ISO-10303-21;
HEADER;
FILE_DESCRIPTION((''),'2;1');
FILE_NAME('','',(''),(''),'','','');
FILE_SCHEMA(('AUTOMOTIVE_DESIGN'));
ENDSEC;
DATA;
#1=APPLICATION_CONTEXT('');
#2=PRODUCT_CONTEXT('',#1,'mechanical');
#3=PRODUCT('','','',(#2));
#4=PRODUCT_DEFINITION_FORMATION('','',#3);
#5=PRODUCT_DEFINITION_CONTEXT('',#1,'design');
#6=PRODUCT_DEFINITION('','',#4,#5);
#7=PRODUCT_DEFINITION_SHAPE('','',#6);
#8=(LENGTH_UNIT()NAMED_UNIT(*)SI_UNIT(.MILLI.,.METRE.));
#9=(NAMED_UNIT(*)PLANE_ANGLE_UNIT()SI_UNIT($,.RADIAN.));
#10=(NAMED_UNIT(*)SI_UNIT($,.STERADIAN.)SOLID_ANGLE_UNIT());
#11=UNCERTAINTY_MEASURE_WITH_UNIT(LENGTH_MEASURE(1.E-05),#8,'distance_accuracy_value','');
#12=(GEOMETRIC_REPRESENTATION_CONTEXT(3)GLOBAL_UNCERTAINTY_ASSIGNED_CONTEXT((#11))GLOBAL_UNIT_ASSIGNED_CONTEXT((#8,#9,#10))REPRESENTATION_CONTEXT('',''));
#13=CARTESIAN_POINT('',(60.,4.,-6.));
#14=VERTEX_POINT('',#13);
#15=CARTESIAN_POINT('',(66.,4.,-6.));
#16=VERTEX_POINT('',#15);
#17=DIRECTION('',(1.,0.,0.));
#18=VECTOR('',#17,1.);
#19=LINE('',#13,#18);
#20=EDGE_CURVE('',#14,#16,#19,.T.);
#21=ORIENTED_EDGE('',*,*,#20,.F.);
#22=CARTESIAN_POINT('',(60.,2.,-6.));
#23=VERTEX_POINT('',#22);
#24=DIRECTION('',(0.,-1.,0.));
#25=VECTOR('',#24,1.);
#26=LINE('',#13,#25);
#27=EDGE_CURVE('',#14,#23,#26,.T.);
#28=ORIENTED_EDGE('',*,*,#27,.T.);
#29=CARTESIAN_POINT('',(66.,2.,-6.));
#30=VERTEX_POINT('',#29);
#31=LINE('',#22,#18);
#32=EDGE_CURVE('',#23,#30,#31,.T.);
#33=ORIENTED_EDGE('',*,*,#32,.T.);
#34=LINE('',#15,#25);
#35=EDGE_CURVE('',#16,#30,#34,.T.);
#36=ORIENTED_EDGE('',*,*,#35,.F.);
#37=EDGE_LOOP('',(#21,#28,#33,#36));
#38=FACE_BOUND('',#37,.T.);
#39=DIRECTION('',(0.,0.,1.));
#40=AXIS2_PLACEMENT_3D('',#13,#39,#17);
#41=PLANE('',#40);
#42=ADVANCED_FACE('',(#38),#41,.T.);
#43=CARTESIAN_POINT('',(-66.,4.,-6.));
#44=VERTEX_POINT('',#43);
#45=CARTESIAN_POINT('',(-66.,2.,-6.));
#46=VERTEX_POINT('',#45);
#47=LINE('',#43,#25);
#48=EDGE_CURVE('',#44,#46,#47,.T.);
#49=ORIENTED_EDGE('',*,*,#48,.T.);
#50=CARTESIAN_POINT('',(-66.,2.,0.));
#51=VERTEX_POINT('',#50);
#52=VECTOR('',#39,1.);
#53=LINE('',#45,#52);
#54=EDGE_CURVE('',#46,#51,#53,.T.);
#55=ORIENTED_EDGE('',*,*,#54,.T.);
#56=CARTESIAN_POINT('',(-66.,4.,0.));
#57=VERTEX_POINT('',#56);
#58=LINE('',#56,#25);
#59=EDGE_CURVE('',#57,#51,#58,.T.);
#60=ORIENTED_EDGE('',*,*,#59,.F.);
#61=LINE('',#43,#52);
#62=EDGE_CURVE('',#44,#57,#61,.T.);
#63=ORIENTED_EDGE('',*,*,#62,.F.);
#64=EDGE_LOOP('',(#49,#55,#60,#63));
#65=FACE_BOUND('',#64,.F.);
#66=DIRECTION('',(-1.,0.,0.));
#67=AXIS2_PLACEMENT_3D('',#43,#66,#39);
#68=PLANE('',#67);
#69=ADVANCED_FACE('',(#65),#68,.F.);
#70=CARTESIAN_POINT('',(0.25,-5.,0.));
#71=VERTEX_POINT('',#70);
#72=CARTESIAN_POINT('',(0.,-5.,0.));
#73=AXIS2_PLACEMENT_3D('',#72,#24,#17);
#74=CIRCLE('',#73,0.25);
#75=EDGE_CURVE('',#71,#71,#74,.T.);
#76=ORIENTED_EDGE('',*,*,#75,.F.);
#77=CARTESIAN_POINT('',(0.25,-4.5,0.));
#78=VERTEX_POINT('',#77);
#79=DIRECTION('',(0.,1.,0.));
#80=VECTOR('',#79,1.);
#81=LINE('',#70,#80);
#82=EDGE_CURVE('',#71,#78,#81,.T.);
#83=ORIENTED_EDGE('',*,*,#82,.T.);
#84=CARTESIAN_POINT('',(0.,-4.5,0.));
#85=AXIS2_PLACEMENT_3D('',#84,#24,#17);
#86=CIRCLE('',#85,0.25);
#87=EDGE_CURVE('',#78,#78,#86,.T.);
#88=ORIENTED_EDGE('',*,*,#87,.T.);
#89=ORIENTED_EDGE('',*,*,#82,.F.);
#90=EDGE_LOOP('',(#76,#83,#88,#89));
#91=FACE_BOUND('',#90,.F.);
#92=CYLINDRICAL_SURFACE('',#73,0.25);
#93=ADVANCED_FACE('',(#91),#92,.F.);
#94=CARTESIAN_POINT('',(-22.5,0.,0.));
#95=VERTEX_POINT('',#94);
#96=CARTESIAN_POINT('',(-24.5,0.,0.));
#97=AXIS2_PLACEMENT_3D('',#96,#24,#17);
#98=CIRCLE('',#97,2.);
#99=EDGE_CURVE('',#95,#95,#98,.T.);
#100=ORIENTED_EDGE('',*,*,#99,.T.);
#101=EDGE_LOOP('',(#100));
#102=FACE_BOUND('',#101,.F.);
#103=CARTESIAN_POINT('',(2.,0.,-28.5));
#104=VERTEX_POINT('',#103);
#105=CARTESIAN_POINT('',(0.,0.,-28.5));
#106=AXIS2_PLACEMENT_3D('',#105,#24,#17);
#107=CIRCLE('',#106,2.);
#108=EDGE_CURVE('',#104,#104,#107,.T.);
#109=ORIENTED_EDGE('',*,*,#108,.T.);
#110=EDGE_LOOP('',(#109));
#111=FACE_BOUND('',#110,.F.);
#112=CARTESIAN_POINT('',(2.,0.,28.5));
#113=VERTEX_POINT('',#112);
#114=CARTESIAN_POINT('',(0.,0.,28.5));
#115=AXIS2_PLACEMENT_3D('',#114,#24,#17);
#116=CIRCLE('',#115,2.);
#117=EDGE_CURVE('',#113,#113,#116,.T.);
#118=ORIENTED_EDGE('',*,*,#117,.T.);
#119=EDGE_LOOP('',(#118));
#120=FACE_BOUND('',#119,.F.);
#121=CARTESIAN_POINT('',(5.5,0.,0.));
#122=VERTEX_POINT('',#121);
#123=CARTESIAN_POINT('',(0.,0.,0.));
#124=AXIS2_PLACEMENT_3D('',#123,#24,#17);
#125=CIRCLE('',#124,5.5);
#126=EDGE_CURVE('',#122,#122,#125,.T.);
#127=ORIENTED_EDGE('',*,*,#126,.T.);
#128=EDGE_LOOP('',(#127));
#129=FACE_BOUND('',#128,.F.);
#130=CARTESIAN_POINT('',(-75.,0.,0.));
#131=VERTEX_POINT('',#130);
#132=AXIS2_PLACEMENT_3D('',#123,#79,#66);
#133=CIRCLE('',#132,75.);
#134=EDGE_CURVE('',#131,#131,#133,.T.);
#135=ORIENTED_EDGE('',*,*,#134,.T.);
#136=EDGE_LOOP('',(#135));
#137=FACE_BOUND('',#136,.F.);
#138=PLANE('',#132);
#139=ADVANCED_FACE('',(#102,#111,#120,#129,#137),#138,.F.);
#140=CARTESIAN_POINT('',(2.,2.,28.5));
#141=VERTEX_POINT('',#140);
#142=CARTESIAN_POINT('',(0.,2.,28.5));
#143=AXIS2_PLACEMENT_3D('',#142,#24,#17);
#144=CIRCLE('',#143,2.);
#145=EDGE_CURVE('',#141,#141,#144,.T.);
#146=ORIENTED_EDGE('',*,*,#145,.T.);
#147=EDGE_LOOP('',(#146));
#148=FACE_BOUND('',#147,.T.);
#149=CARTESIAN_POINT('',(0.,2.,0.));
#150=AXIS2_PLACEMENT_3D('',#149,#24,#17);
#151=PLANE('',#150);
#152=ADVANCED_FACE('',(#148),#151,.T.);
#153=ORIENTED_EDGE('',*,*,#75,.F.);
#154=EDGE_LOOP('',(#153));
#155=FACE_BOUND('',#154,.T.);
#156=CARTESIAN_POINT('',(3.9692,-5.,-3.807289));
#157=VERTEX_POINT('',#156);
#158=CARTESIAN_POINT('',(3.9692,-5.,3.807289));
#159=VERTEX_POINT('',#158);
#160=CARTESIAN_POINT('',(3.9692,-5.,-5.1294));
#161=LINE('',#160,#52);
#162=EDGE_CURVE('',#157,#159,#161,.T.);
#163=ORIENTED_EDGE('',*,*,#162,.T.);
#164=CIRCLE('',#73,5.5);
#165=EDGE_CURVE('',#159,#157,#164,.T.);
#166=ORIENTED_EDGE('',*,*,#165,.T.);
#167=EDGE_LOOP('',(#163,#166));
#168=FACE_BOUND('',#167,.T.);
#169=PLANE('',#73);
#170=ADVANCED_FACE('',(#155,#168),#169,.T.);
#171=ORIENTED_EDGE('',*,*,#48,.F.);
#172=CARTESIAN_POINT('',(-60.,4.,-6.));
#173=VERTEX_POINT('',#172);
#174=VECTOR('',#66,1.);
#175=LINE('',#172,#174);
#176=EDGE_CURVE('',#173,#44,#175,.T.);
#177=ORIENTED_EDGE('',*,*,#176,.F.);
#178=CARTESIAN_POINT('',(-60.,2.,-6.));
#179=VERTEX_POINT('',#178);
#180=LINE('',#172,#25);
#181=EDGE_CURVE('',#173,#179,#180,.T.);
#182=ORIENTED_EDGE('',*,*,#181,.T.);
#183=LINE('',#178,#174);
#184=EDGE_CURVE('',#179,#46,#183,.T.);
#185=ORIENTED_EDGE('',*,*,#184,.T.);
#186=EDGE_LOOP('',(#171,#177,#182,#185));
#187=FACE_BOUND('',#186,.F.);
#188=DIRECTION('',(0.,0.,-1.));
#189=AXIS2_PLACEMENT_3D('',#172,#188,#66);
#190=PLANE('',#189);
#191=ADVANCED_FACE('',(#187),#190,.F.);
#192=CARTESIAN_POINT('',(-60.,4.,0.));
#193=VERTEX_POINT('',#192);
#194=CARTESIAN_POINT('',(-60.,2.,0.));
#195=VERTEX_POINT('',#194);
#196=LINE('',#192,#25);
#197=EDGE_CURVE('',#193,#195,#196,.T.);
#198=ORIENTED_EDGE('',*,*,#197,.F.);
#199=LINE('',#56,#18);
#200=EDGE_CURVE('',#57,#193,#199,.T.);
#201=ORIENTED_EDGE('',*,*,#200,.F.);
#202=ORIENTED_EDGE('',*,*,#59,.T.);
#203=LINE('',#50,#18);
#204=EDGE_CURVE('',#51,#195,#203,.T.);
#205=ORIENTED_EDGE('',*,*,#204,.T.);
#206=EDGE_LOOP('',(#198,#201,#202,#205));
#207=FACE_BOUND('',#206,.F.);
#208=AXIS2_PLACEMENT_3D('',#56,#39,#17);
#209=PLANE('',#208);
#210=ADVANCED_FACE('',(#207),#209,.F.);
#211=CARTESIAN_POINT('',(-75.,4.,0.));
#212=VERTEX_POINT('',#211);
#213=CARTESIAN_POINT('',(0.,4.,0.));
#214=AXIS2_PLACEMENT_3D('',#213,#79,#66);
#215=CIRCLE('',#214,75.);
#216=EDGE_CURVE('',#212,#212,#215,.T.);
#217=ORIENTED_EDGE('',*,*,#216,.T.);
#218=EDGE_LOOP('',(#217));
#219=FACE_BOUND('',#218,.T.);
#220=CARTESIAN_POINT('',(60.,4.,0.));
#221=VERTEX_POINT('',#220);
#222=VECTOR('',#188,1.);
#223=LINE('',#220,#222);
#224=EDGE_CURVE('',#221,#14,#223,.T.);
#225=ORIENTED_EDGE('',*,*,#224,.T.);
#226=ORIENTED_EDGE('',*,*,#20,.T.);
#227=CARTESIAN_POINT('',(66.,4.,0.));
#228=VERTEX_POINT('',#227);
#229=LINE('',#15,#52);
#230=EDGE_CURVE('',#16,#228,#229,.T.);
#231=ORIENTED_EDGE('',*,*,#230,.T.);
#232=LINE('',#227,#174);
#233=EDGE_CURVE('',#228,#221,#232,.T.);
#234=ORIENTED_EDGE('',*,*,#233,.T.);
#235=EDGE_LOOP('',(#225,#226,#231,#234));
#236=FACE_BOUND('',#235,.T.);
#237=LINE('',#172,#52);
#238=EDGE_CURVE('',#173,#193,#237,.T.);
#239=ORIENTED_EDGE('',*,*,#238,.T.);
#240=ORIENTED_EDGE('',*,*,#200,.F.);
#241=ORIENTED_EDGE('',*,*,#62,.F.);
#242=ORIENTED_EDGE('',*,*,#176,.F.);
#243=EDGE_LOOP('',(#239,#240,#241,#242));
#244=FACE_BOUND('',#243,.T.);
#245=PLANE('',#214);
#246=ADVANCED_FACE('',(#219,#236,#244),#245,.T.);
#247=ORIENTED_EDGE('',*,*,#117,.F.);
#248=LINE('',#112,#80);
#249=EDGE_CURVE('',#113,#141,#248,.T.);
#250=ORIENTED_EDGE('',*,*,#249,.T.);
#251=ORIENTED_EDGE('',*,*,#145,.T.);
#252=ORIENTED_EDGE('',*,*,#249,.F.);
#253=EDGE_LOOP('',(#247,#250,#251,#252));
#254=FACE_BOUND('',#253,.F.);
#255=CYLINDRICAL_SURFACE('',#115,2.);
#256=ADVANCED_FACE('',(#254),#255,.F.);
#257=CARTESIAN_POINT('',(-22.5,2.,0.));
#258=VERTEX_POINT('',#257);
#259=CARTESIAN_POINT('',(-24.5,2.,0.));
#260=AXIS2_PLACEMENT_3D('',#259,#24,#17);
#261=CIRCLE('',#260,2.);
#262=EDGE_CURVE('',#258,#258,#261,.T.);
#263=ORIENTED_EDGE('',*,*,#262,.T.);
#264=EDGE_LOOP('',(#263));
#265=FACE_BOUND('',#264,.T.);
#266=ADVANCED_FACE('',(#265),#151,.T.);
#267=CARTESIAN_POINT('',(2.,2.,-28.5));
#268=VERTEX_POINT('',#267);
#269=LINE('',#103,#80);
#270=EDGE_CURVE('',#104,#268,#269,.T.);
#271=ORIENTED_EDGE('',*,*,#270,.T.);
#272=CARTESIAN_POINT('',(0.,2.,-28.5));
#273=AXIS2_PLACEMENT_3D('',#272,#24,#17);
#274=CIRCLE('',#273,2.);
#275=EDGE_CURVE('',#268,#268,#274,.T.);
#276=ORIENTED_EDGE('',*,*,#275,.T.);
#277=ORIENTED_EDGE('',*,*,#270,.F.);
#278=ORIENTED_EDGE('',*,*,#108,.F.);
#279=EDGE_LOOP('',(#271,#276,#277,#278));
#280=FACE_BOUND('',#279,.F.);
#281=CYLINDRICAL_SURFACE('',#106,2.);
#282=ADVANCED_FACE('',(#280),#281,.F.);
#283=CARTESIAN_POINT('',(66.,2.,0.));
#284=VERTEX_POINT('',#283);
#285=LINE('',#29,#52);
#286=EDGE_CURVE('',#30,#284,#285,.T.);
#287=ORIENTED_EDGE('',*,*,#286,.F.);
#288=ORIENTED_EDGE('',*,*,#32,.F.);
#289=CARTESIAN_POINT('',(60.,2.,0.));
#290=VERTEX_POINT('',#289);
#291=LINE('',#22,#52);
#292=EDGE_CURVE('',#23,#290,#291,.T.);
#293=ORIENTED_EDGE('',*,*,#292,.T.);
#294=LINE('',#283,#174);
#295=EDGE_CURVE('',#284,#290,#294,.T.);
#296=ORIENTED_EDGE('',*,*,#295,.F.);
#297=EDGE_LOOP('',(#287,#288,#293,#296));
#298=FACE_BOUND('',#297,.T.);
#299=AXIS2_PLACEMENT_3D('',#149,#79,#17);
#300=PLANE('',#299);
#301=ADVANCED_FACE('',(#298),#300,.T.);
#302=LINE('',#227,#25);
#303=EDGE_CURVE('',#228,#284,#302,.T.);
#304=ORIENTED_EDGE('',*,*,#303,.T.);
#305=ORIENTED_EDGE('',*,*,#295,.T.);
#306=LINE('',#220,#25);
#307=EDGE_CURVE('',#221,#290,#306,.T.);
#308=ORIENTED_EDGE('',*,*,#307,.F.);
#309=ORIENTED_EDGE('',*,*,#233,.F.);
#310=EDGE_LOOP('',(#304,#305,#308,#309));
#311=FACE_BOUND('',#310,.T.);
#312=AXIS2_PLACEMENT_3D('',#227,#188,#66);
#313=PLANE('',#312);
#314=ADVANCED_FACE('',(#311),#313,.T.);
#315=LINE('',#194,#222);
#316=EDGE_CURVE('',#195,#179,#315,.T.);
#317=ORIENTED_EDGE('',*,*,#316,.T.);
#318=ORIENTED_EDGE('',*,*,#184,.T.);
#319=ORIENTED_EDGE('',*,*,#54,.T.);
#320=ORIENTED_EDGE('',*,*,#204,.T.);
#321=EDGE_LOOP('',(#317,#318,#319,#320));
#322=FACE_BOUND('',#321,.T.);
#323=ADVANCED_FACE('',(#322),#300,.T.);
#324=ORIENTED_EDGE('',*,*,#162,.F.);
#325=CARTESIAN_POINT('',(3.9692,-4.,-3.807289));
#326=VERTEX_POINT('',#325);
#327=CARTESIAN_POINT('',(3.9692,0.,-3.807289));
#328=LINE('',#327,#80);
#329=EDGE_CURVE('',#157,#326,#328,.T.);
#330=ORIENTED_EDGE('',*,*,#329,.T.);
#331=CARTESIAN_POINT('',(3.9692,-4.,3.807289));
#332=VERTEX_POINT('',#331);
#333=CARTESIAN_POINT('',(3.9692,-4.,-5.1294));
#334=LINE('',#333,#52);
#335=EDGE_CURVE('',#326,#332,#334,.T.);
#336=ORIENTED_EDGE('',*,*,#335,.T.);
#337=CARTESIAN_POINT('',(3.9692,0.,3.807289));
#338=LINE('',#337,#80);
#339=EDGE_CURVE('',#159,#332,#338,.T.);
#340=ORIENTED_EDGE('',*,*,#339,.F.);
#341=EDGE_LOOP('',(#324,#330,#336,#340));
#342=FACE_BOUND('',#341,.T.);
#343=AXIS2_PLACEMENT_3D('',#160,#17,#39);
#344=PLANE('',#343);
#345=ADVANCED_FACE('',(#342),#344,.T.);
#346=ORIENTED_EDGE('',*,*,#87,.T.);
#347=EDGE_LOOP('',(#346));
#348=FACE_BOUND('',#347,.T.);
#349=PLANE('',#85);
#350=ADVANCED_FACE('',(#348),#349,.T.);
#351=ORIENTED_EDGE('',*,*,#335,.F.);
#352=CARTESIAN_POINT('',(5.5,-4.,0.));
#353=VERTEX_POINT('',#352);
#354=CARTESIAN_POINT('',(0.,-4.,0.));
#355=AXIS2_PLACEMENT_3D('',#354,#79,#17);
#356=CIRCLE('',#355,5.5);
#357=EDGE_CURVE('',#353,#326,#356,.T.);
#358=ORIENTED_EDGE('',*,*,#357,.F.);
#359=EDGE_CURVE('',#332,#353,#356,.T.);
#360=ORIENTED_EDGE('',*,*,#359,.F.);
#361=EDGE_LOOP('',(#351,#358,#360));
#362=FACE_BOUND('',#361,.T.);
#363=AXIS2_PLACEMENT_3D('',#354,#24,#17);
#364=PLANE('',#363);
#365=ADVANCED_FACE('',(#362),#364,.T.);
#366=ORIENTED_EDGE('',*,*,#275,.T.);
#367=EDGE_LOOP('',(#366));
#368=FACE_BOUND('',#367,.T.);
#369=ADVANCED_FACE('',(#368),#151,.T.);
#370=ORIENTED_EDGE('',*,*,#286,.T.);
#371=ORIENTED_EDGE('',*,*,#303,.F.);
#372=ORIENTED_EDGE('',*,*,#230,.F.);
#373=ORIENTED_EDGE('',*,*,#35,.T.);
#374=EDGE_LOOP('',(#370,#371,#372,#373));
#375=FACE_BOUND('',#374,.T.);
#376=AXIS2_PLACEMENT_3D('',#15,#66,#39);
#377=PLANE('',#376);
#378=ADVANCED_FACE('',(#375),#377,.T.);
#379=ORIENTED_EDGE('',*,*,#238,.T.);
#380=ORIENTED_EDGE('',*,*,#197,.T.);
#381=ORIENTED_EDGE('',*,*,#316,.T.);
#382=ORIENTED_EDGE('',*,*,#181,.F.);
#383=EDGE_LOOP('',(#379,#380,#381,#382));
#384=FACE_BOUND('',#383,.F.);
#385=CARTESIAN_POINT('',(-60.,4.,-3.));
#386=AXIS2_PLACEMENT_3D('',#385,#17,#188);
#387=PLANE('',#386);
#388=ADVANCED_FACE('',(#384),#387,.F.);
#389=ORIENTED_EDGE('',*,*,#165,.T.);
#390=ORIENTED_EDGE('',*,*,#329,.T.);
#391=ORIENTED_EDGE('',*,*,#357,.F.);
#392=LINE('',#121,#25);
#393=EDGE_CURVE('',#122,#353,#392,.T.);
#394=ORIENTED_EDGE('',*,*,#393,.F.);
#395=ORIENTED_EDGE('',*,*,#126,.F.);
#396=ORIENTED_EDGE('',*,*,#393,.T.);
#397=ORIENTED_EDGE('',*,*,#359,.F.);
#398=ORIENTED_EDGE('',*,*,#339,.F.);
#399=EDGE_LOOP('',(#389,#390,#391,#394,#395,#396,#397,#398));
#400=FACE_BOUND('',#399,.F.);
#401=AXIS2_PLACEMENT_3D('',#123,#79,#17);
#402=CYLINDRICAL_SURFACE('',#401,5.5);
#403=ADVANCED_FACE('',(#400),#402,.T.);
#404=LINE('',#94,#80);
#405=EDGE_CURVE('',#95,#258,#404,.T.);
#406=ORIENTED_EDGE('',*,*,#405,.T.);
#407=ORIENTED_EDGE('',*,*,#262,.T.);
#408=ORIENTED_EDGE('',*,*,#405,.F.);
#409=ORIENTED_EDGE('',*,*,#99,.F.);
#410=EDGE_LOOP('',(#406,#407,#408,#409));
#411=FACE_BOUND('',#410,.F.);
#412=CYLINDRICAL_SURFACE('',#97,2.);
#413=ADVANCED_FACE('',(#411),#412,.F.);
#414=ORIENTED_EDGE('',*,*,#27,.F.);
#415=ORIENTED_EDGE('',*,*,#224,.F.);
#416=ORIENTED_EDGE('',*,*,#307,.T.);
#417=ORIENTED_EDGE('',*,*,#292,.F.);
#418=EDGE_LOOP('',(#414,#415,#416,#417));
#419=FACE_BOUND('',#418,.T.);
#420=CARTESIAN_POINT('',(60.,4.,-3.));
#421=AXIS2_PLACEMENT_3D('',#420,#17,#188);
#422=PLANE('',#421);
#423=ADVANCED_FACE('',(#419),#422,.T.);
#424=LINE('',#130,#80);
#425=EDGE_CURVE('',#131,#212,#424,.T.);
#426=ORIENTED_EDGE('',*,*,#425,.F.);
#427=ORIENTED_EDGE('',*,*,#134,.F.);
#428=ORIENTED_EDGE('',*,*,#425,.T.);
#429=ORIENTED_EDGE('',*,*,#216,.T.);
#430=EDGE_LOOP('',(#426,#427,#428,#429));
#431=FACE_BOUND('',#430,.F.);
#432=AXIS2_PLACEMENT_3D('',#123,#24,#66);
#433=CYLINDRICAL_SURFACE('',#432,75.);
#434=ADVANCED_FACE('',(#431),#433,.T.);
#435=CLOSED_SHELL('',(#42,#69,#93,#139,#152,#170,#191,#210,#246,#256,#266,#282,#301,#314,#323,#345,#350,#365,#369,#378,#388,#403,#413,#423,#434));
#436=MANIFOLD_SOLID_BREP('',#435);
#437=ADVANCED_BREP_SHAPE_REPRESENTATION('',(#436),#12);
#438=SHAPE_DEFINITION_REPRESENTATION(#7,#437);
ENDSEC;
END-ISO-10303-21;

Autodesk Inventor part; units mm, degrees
ref_plane "YZ Plane" through (0, 0, 0) normal (1, 0, 0) x (0, 1, 0)
ref_plane "XZ Plane" through (0, 0, 0) normal (0, 1, 0) x (-1, 0, 0)
ref_plane "XY Plane" through (0, 0, 0) normal (0, 0, 1) x (1, 0, 0)
sketch "Sketch1" plane through (0, 0, 0) normal (0, 1, 0) x (-1, 0, 0)
  circle A0 centre (0, 0) radius 75
  dimension "d0" = 150
extrude "Extrusion1" add sketch "Sketch1" along normal blind 4
sketch "Sketch2" plane through (0, 0, 0) normal (0, -1, 0) x (1, 0, 0)
  point P0 (0, 0)
sketch "Sketch4" plane through (0, 0, 0) normal (0, -1, 0) x (1, 0, 0)
  circle A0 centre (0, 0) radius 5.5
  dimension "d7" = 11
extrude "Extrusion3" add sketch "Sketch4" along normal blind 5
sketch "Sketch5" plane through (0, 0, 0) normal (0, -1, 0) x (1, 0, 0)
  point P0 (0, 0)
sketch "Sketch8" plane through (0, -5, 0) normal (0, -1, 0) x (1, 0, 0)
  line L0 (3.9692, 4.8706) -> (31.1403, 4.8706)
  line L1 (31.1403, 4.8706) -> (31.1403, -5.1294)
  line L2 (31.1403, -5.1294) -> (3.9692, -5.1294)
  line L3 (3.9692, -5.1294) -> (3.9692, 4.8706)
  point P0 (0, 0)
  dimension "d15" = 10
extrude "Extrusion5" cut sketch "Sketch8" against normal blind 1
sketch "Sketch9" plane through (0, 0, 0) normal (0, -1, 0) x (1, 0, 0)
  circle A0 centre (-24.5, 0) radius 1.5 construction
  circle A1 centre (0, 28.5) radius 1.5 construction
  circle A2 centre (0, -28.5) radius 1.5 construction
  circle A3 centre (0, -28.5) radius 2
  circle A4 centre (-24.5, 0) radius 2
  circle A5 centre (0, 28.5) radius 2
  point P0 (0, 0)
  dimension "d28" = 4
  dimension "d29" = 4
  dimension "d30" = 4
extrude "Extrusion6" cut sketch "Sketch9" against normal blind 2
sketch "Sketch10" plane through (0, 4, 0) normal (0, 1, 0) x (1, 0, 0)
  line L0 (0, 0) -> (-8.5469, 0)
  line L1 (-66, 0) -> (-60, 0)
  line L2 (-60, 0) -> (-60, 6)
  line L3 (-60, 6) -> (-66, 6)
  line L4 (-66, 6) -> (-66, 0)
  line L5 (60, 6) -> (66, 6)
  line L6 (66, 6) -> (66, 0)
  line L7 (66, 0) -> (60, 0)
  line L8 (60, 0) -> (60, 6)
  line L9 (-60, 3) -> (0, 3)
  line L10 (0, 0) -> (0, 26.4138)
  line L11 (60, 3) -> (0, 3)
  line L12 (0, 0) -> (22.9317, 0)
  dimension "d22" = 6
  dimension "d23" = 6
  dimension "d24" = 60
extrude "Extrusion7" cut sketch "Sketch10" against normal blind 2
sketch "Sketch11" plane through (0, -5, 0) normal (0, -1, 0) x (1, 0, 0)
  arc A0 (3.9692, 3.8073) -> (3.9692, -3.8073) centre (0, 0) ccw projected
  circle A1 centre (0, 0) radius 0.25
  dimension "d31" = 0.5
extrude "Extrusion8" cut sketch "Sketch11" against normal blind 0.5
equation "\"d0\" = diamteru"
equation "\"d1\" = grosime"
equation "\"diamteru\" = 150"
equation "\"grosime\" = 4"
properties part number "pat" material "PET Plastic"
